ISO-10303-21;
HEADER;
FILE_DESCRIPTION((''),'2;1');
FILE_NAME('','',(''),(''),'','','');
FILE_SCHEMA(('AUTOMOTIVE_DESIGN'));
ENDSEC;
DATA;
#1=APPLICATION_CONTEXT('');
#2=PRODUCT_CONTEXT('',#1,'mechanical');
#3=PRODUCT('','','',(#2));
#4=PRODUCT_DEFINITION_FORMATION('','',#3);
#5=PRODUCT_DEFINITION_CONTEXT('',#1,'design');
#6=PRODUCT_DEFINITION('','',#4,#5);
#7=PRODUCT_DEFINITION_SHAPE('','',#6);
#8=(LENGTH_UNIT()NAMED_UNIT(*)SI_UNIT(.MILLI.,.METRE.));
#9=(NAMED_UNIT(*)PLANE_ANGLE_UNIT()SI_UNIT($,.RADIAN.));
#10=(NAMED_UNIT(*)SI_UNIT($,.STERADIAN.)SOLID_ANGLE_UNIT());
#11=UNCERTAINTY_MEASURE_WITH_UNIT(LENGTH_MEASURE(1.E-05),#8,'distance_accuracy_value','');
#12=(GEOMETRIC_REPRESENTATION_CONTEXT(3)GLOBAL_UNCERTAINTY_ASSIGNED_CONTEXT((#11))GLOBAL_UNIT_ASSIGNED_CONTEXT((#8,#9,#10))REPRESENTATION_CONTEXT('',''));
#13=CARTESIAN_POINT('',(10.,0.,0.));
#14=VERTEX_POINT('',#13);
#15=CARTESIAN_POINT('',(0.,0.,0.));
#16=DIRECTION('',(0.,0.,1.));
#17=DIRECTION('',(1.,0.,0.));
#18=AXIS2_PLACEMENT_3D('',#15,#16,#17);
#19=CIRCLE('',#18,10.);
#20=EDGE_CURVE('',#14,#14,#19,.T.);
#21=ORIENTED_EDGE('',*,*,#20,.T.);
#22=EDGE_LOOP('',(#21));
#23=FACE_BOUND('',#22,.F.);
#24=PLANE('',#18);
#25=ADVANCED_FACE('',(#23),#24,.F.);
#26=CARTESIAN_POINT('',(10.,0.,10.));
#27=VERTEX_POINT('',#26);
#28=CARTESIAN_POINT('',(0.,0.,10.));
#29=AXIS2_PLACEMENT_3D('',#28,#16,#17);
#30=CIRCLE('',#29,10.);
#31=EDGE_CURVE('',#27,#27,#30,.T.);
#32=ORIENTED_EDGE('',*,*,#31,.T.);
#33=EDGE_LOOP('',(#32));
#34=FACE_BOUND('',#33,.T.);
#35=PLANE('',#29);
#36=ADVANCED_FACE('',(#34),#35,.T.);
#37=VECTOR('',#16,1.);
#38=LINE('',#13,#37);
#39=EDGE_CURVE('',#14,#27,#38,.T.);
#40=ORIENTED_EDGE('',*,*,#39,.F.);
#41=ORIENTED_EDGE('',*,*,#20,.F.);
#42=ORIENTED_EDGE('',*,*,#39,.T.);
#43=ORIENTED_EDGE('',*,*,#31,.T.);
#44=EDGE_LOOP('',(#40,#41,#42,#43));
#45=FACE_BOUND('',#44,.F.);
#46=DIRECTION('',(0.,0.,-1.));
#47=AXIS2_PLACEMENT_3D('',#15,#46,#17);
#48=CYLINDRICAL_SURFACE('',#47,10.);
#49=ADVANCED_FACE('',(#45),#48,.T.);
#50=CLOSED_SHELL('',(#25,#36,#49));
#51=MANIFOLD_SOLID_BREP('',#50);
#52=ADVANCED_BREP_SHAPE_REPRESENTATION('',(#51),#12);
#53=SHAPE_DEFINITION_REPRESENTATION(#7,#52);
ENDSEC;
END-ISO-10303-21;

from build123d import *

# Parameters (mm, degrees)
SKETCH1_R           = 10
BOSS_EXTRUDE1_DEPTH = 10


with BuildPart() as part:
    # Sketch1 → Boss-Extrude1 (new body)
    with BuildSketch(Plane.XY):
        Circle(SKETCH1_R)
    extrude(amount=BOSS_EXTRUDE1_DEPTH)


solid = part.part
